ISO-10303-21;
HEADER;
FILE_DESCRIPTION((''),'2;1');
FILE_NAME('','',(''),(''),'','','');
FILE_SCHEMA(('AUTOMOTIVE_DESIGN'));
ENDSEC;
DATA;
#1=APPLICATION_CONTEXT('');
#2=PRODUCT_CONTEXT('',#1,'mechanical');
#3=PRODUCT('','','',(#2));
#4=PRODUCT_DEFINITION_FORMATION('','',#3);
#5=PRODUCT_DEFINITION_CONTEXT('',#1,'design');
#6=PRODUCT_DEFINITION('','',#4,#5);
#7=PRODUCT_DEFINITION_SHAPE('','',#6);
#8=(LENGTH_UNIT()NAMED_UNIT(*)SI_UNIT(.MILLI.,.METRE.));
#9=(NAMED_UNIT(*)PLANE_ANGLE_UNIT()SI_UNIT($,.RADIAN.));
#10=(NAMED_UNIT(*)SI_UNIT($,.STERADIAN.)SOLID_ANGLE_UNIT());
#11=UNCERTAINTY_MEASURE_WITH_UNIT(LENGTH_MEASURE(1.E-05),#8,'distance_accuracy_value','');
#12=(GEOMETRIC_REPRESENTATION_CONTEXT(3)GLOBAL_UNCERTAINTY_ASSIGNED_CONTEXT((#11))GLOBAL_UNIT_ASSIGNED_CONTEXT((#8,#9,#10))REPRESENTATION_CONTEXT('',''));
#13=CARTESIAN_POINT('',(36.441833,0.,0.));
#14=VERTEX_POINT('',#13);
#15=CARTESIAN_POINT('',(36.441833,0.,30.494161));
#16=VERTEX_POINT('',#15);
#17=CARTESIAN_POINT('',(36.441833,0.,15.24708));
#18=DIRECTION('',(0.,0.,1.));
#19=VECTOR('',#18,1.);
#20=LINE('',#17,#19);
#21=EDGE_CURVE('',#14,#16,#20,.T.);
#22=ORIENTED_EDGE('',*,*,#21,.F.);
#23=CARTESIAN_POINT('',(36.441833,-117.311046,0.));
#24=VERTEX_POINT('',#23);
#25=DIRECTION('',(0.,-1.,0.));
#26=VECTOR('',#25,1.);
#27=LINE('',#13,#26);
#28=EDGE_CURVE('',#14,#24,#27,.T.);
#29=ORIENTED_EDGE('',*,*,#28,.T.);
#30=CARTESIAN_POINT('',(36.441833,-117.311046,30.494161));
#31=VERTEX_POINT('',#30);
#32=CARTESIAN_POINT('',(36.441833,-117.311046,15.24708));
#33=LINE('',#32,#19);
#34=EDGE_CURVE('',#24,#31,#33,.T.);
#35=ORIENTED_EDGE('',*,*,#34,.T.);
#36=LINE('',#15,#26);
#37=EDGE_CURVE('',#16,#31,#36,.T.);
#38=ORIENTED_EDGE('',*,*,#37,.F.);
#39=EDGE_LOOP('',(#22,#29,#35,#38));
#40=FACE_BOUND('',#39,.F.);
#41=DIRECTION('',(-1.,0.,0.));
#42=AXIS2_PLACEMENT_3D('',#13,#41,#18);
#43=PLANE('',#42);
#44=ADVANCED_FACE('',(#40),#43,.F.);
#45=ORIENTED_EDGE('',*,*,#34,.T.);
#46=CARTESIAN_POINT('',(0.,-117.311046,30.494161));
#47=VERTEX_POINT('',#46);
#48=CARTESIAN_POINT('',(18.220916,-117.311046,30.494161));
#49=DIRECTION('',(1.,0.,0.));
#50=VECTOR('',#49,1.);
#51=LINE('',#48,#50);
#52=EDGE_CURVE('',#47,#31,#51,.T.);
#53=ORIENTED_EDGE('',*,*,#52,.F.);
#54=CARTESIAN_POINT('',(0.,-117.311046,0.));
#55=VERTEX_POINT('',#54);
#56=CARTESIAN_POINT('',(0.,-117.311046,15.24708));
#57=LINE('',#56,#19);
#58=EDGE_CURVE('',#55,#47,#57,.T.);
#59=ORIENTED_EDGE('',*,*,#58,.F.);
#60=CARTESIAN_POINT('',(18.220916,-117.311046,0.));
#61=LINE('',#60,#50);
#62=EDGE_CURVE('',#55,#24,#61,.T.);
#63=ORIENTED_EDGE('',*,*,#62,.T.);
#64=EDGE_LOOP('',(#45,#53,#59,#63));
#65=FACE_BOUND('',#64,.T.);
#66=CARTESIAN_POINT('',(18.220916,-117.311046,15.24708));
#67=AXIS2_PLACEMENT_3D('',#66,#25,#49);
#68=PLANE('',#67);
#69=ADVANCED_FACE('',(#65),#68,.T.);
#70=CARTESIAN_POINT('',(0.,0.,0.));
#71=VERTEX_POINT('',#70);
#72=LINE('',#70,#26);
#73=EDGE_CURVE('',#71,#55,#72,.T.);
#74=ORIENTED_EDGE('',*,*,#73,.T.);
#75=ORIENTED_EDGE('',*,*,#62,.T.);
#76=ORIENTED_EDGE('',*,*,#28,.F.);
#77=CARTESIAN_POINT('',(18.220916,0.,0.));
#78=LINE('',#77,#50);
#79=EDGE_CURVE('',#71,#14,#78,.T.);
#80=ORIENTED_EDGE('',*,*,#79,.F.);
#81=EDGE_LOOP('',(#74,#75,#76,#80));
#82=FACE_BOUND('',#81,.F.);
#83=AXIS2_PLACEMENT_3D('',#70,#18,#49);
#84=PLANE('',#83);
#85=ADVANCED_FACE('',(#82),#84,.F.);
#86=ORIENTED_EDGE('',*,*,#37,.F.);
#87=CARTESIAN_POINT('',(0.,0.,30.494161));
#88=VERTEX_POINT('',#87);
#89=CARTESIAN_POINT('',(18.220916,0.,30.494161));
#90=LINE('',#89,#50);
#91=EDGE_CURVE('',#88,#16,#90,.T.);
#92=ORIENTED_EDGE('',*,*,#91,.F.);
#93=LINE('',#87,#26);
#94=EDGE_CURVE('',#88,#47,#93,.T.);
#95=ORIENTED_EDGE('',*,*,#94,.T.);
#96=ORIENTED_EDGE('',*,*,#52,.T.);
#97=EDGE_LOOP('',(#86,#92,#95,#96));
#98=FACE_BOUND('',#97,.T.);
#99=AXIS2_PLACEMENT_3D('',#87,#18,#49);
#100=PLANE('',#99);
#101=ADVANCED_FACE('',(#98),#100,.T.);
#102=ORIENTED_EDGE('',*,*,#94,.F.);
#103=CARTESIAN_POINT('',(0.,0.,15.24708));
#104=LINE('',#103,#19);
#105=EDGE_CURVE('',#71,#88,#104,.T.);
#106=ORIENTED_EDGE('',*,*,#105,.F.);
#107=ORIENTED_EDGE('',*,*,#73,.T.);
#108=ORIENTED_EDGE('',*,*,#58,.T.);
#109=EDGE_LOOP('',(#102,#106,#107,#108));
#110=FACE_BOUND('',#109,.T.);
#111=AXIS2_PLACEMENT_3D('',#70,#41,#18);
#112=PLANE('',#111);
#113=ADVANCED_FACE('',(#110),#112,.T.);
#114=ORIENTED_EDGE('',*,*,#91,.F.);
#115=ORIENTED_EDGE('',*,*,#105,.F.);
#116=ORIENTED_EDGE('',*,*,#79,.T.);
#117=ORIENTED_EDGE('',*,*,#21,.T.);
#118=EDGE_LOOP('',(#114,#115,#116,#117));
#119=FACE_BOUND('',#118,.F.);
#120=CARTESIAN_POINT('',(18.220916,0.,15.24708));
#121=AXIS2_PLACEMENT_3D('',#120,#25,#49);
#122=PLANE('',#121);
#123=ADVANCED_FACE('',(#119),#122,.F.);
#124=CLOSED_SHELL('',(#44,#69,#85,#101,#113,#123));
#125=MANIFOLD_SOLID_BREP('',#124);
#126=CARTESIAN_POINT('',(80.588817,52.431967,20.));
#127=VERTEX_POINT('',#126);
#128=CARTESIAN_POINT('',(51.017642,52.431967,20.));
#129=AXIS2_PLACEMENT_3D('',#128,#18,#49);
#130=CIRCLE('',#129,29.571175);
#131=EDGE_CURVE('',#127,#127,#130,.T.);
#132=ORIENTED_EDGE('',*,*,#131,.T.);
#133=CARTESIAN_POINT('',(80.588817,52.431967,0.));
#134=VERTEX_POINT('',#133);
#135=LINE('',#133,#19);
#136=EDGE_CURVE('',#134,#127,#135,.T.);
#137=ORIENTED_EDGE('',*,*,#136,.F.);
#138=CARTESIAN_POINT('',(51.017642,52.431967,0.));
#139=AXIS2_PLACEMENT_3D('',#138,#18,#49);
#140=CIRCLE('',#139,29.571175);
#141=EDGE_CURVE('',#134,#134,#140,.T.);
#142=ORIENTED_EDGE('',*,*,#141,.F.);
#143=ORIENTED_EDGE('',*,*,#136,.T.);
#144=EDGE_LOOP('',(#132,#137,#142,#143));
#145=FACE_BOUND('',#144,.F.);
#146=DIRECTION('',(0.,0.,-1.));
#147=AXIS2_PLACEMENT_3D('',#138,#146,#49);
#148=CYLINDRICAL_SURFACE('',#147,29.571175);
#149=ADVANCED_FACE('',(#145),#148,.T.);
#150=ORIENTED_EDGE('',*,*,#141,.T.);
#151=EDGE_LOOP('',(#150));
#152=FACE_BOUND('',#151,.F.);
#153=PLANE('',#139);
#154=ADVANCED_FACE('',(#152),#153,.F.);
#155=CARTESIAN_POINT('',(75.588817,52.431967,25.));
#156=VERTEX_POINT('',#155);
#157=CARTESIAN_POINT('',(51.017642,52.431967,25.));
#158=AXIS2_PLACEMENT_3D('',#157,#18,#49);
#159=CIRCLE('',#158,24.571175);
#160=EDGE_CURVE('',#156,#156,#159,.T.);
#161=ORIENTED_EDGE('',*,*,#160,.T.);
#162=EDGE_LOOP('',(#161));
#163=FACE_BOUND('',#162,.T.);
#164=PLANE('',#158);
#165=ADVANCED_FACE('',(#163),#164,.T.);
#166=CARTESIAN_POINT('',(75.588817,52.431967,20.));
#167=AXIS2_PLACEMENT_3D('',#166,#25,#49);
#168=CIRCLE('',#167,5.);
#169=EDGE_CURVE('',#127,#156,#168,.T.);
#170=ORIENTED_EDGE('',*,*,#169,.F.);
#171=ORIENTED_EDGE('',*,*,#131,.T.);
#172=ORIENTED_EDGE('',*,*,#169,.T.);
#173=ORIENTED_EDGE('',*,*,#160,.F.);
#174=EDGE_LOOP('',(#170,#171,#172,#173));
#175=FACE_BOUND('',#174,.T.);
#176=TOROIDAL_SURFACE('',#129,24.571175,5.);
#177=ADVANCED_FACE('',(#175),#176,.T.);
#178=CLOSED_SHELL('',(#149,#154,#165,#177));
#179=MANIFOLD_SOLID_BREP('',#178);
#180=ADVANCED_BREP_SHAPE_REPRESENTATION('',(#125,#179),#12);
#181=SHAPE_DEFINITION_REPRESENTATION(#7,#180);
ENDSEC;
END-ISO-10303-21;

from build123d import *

# Parameters (mm, degrees)
F0_W     = 110.0296452641
F0_H     = 111.7058545351
F1_DEPTH = 50
F2_R     = 5
F4_W     = 36.4418327808
F4_H     = 30.4941609502
F5_DEPTH = 117.3110455275
F6_R     = 29.5711751296
F7_DEPTH = 25
F8_R     = 5


with BuildPart() as f1:
    # F0 (on Front) → F1 (new body)
    with BuildSketch(Plane.XZ):
        Rectangle(F0_W, F0_H)
    extrude(amount=F1_DEPTH)

    # F2
    f2_edges = [f1.edges().sort_by_distance(p)[0] for p in [
        (-55.014823, -25, 55.852927),
        (55.014823, -25, 55.852927),
        (0, -50, 55.852927),
        (-55.014823, -50, 0),
        (0, -50, -55.852927),
        (55.014823, -50, 0),
    ]]
    fillet(f2_edges, radius=F2_R)


with BuildPart() as f5:
    # F4 (on Front) → F5 (new body)
    with BuildSketch(Plane.XZ):
        with Locations((18.2209163904, 15.2470804751)):
            Rectangle(F4_W, F4_H)
    extrude(amount=F5_DEPTH)


with BuildPart() as f7:
    # F6 (on Top) → F7 (new body)
    with BuildSketch(Plane.XY):
        with Locations((51.0176420212, 52.4319671094)):
            Circle(F6_R)
    extrude(amount=F7_DEPTH)

    # F8
    f8_edges = [f7.edges().sort_by_distance(p)[0] for p in [
        (21.446467, 52.431967, 25),
    ]]
    fillet(f8_edges, radius=F8_R)


solid = Compound([f5.part, f7.part])
